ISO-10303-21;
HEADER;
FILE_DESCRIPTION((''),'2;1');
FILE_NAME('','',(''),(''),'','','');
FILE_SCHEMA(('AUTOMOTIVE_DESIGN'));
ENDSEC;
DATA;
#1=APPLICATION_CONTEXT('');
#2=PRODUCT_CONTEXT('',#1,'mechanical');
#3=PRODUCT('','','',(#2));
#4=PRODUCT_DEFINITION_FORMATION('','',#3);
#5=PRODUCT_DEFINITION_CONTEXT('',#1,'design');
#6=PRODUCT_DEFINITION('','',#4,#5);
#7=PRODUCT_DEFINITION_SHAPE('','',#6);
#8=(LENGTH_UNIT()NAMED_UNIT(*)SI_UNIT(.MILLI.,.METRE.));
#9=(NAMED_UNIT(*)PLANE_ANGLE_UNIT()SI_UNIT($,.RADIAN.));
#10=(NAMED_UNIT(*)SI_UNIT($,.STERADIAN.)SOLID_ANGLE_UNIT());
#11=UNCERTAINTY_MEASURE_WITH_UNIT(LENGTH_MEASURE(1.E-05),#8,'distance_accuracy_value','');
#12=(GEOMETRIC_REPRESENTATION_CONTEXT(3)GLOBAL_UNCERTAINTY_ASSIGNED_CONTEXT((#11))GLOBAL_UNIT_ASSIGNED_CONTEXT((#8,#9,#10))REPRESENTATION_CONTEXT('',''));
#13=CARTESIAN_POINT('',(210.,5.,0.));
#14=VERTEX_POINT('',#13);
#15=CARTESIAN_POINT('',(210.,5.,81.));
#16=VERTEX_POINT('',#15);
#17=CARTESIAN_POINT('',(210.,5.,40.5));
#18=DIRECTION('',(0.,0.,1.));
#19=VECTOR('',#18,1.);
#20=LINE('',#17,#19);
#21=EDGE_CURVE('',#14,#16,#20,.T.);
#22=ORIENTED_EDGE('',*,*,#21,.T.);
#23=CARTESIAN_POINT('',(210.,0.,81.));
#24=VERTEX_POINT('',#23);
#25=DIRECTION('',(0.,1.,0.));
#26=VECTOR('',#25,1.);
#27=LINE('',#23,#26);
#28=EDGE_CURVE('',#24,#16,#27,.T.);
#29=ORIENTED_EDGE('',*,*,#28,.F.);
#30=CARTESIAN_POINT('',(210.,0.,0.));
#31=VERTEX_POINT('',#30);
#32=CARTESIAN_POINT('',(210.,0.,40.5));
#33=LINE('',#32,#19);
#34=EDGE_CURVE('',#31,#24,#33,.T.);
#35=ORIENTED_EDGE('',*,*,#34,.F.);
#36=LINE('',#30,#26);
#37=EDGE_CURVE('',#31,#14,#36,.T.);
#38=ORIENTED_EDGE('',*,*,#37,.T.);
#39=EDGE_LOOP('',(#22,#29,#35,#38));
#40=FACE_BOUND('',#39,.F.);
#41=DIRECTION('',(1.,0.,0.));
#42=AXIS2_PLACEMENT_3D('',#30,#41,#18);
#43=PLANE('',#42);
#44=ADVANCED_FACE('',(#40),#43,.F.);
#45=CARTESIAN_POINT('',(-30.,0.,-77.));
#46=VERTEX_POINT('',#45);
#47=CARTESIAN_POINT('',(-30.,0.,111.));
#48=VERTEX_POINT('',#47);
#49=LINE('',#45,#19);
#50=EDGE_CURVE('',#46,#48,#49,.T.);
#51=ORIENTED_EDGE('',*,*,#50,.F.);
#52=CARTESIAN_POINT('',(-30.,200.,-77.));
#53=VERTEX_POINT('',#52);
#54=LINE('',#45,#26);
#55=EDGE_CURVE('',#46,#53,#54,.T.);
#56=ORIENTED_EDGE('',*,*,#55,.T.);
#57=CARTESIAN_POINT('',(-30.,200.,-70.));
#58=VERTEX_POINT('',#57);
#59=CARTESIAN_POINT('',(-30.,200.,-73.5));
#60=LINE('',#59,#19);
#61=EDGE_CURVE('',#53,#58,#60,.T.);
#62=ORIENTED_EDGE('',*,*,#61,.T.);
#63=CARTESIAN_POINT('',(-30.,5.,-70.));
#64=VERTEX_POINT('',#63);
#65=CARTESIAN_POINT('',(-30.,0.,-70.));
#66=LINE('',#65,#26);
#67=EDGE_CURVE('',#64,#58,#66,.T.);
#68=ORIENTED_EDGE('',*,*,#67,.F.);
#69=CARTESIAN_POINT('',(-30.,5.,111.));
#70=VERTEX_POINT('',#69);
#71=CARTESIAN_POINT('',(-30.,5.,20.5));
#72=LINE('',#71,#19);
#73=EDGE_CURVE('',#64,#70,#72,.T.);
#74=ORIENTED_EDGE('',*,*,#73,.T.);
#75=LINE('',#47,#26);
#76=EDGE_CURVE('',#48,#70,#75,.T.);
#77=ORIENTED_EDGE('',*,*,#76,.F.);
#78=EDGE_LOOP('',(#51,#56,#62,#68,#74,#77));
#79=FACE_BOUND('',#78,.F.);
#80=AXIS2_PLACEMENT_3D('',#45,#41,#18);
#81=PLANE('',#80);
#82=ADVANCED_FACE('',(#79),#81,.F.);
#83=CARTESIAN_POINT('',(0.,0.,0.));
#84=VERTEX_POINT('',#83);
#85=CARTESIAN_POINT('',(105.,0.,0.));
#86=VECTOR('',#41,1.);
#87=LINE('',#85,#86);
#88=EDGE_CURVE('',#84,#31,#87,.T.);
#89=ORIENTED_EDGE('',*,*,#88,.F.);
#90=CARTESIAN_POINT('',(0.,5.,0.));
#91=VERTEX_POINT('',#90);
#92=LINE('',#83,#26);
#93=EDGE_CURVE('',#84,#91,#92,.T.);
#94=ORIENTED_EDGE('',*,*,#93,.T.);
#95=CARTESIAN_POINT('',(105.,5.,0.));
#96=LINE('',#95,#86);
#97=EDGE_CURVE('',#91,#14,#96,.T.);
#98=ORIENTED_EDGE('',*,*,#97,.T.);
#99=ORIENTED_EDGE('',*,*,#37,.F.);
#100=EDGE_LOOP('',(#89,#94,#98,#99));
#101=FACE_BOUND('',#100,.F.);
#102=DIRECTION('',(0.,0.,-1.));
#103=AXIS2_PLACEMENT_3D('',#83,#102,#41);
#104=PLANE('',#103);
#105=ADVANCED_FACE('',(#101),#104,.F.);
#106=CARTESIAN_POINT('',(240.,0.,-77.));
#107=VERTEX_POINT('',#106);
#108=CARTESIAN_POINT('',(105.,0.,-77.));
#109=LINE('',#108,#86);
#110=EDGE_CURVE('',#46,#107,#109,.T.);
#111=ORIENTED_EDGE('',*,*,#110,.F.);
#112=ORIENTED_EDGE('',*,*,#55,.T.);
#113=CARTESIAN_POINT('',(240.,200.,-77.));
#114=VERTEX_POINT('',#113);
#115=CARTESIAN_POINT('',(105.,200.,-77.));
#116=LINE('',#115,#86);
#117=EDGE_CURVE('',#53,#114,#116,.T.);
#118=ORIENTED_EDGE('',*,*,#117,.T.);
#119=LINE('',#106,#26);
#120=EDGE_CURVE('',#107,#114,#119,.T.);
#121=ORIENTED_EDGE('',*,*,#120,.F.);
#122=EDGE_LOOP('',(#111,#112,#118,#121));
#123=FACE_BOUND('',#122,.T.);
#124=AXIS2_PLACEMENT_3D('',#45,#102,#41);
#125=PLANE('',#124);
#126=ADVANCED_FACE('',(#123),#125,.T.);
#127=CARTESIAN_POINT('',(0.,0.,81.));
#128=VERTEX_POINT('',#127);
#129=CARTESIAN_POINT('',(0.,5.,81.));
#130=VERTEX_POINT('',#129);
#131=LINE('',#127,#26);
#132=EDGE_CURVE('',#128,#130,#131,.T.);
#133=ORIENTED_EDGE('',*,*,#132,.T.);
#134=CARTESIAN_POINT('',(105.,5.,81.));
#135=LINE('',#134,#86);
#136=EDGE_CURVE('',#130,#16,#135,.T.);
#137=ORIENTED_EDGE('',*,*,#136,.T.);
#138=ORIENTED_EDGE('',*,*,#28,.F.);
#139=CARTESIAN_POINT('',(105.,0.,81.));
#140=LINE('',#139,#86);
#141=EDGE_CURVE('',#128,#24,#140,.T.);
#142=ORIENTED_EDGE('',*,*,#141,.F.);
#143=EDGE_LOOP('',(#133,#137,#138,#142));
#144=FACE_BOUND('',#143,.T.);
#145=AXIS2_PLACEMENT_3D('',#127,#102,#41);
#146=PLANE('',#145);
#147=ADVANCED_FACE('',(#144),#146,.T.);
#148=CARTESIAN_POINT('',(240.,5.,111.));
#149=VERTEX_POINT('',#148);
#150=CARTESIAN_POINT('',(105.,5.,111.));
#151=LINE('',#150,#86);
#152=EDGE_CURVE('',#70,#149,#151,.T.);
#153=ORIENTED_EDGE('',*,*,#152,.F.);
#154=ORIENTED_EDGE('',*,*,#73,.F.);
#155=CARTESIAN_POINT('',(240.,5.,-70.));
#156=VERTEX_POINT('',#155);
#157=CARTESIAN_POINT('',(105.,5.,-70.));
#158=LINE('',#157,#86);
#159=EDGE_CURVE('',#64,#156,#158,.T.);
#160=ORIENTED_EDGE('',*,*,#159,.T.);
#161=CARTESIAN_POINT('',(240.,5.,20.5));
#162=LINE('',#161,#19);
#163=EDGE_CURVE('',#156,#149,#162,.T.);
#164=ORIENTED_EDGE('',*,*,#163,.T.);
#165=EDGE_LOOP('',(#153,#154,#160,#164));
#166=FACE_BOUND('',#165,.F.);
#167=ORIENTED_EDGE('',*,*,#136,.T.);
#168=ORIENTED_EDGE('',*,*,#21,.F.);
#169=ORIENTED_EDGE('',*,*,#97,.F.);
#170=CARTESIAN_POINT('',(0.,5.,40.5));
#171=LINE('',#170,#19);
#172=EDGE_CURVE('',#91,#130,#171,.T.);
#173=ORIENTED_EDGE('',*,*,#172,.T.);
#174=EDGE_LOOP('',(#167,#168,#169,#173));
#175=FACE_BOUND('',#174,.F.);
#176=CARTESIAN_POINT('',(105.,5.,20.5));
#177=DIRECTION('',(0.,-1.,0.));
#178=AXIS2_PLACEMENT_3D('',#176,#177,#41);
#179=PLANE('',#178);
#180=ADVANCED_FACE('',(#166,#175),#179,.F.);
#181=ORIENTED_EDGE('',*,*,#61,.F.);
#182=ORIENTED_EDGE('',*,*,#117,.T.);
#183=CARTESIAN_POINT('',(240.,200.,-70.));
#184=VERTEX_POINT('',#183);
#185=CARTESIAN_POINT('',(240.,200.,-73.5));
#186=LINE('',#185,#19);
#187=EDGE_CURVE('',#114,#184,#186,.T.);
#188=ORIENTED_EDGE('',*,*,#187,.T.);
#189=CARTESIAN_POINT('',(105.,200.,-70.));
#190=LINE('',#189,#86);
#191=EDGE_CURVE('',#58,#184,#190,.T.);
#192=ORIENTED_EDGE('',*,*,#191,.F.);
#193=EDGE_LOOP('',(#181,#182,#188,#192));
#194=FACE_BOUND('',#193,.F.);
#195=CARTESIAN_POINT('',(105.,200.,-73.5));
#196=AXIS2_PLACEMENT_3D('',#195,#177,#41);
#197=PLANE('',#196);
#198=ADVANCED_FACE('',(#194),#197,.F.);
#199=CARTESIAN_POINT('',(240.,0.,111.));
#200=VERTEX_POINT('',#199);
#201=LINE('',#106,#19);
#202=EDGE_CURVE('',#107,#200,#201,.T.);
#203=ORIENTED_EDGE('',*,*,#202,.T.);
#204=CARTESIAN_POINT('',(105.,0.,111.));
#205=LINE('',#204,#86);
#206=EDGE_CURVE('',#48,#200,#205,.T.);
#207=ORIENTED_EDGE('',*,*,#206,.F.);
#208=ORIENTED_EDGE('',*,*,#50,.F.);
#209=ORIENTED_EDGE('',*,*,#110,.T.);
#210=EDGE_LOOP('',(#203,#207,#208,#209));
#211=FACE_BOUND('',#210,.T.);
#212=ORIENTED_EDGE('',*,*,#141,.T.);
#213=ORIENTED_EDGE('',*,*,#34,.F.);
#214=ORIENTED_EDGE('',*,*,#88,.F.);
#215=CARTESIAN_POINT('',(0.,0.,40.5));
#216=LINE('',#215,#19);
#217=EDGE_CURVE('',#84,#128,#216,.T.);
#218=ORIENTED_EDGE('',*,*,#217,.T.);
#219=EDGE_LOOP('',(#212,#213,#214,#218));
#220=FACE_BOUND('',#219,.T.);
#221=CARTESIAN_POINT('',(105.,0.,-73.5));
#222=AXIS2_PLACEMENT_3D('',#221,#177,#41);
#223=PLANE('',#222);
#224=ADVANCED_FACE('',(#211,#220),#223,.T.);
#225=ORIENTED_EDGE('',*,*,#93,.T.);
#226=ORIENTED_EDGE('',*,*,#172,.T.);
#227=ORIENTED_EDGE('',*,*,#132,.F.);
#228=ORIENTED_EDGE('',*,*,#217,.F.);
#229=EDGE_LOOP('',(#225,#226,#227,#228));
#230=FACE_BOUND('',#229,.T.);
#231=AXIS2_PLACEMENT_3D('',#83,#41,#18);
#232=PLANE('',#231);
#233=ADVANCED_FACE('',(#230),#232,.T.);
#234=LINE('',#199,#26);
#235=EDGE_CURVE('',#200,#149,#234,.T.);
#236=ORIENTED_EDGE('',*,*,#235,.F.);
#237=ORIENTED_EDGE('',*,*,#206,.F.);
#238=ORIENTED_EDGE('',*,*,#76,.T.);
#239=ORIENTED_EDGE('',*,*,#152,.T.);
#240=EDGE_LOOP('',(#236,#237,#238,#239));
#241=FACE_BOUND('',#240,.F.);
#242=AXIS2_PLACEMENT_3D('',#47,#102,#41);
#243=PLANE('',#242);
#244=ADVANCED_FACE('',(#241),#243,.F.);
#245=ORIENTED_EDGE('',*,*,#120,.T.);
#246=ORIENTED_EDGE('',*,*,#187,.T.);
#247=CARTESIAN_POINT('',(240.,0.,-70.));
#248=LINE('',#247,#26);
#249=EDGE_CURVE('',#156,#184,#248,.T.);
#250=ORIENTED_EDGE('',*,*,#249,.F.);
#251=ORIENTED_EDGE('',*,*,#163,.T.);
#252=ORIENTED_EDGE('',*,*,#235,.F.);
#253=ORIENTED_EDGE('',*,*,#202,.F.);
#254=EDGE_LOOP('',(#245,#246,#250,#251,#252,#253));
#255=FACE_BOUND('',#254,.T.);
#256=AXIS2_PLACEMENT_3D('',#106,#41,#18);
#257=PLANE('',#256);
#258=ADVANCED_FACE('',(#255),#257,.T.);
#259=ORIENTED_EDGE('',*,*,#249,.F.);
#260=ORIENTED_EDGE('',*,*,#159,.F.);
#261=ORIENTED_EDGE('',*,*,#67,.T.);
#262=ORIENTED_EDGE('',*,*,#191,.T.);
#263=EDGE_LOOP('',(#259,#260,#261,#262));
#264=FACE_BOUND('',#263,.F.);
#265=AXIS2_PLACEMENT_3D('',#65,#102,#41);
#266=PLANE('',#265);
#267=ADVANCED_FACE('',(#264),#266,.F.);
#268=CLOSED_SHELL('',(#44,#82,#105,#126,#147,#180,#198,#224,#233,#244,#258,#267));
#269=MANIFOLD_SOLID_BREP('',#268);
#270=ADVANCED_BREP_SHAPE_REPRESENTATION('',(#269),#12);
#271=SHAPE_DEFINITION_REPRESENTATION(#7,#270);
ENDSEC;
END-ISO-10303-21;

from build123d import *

# Parameters (mm, degrees)
F0_W     = 270
F0_H     = 181
F0_W_2   = 210
F0_H_2   = 81
F1_DEPTH = 5
F0_H_3   = 7
F2_DEPTH = 200


with BuildPart() as f1:
    # F0 (on Front) → F1 (new body)
    with BuildSketch(Plane.XZ):
        with Locations((105, 20.5)):
            Rectangle(F0_W, F0_H)
        with Locations((105, 40.5)):
            Rectangle(F0_W_2, F0_H_2, mode=Mode.SUBTRACT)
    extrude(amount=-F1_DEPTH)

    # F0 (on Front) → F2 (join)
    with BuildSketch(Plane.XZ):
        with Locations((105, -73.5)):
            Rectangle(F0_W, F0_H_3)
    extrude(amount=-F2_DEPTH)


solid = f1.part
